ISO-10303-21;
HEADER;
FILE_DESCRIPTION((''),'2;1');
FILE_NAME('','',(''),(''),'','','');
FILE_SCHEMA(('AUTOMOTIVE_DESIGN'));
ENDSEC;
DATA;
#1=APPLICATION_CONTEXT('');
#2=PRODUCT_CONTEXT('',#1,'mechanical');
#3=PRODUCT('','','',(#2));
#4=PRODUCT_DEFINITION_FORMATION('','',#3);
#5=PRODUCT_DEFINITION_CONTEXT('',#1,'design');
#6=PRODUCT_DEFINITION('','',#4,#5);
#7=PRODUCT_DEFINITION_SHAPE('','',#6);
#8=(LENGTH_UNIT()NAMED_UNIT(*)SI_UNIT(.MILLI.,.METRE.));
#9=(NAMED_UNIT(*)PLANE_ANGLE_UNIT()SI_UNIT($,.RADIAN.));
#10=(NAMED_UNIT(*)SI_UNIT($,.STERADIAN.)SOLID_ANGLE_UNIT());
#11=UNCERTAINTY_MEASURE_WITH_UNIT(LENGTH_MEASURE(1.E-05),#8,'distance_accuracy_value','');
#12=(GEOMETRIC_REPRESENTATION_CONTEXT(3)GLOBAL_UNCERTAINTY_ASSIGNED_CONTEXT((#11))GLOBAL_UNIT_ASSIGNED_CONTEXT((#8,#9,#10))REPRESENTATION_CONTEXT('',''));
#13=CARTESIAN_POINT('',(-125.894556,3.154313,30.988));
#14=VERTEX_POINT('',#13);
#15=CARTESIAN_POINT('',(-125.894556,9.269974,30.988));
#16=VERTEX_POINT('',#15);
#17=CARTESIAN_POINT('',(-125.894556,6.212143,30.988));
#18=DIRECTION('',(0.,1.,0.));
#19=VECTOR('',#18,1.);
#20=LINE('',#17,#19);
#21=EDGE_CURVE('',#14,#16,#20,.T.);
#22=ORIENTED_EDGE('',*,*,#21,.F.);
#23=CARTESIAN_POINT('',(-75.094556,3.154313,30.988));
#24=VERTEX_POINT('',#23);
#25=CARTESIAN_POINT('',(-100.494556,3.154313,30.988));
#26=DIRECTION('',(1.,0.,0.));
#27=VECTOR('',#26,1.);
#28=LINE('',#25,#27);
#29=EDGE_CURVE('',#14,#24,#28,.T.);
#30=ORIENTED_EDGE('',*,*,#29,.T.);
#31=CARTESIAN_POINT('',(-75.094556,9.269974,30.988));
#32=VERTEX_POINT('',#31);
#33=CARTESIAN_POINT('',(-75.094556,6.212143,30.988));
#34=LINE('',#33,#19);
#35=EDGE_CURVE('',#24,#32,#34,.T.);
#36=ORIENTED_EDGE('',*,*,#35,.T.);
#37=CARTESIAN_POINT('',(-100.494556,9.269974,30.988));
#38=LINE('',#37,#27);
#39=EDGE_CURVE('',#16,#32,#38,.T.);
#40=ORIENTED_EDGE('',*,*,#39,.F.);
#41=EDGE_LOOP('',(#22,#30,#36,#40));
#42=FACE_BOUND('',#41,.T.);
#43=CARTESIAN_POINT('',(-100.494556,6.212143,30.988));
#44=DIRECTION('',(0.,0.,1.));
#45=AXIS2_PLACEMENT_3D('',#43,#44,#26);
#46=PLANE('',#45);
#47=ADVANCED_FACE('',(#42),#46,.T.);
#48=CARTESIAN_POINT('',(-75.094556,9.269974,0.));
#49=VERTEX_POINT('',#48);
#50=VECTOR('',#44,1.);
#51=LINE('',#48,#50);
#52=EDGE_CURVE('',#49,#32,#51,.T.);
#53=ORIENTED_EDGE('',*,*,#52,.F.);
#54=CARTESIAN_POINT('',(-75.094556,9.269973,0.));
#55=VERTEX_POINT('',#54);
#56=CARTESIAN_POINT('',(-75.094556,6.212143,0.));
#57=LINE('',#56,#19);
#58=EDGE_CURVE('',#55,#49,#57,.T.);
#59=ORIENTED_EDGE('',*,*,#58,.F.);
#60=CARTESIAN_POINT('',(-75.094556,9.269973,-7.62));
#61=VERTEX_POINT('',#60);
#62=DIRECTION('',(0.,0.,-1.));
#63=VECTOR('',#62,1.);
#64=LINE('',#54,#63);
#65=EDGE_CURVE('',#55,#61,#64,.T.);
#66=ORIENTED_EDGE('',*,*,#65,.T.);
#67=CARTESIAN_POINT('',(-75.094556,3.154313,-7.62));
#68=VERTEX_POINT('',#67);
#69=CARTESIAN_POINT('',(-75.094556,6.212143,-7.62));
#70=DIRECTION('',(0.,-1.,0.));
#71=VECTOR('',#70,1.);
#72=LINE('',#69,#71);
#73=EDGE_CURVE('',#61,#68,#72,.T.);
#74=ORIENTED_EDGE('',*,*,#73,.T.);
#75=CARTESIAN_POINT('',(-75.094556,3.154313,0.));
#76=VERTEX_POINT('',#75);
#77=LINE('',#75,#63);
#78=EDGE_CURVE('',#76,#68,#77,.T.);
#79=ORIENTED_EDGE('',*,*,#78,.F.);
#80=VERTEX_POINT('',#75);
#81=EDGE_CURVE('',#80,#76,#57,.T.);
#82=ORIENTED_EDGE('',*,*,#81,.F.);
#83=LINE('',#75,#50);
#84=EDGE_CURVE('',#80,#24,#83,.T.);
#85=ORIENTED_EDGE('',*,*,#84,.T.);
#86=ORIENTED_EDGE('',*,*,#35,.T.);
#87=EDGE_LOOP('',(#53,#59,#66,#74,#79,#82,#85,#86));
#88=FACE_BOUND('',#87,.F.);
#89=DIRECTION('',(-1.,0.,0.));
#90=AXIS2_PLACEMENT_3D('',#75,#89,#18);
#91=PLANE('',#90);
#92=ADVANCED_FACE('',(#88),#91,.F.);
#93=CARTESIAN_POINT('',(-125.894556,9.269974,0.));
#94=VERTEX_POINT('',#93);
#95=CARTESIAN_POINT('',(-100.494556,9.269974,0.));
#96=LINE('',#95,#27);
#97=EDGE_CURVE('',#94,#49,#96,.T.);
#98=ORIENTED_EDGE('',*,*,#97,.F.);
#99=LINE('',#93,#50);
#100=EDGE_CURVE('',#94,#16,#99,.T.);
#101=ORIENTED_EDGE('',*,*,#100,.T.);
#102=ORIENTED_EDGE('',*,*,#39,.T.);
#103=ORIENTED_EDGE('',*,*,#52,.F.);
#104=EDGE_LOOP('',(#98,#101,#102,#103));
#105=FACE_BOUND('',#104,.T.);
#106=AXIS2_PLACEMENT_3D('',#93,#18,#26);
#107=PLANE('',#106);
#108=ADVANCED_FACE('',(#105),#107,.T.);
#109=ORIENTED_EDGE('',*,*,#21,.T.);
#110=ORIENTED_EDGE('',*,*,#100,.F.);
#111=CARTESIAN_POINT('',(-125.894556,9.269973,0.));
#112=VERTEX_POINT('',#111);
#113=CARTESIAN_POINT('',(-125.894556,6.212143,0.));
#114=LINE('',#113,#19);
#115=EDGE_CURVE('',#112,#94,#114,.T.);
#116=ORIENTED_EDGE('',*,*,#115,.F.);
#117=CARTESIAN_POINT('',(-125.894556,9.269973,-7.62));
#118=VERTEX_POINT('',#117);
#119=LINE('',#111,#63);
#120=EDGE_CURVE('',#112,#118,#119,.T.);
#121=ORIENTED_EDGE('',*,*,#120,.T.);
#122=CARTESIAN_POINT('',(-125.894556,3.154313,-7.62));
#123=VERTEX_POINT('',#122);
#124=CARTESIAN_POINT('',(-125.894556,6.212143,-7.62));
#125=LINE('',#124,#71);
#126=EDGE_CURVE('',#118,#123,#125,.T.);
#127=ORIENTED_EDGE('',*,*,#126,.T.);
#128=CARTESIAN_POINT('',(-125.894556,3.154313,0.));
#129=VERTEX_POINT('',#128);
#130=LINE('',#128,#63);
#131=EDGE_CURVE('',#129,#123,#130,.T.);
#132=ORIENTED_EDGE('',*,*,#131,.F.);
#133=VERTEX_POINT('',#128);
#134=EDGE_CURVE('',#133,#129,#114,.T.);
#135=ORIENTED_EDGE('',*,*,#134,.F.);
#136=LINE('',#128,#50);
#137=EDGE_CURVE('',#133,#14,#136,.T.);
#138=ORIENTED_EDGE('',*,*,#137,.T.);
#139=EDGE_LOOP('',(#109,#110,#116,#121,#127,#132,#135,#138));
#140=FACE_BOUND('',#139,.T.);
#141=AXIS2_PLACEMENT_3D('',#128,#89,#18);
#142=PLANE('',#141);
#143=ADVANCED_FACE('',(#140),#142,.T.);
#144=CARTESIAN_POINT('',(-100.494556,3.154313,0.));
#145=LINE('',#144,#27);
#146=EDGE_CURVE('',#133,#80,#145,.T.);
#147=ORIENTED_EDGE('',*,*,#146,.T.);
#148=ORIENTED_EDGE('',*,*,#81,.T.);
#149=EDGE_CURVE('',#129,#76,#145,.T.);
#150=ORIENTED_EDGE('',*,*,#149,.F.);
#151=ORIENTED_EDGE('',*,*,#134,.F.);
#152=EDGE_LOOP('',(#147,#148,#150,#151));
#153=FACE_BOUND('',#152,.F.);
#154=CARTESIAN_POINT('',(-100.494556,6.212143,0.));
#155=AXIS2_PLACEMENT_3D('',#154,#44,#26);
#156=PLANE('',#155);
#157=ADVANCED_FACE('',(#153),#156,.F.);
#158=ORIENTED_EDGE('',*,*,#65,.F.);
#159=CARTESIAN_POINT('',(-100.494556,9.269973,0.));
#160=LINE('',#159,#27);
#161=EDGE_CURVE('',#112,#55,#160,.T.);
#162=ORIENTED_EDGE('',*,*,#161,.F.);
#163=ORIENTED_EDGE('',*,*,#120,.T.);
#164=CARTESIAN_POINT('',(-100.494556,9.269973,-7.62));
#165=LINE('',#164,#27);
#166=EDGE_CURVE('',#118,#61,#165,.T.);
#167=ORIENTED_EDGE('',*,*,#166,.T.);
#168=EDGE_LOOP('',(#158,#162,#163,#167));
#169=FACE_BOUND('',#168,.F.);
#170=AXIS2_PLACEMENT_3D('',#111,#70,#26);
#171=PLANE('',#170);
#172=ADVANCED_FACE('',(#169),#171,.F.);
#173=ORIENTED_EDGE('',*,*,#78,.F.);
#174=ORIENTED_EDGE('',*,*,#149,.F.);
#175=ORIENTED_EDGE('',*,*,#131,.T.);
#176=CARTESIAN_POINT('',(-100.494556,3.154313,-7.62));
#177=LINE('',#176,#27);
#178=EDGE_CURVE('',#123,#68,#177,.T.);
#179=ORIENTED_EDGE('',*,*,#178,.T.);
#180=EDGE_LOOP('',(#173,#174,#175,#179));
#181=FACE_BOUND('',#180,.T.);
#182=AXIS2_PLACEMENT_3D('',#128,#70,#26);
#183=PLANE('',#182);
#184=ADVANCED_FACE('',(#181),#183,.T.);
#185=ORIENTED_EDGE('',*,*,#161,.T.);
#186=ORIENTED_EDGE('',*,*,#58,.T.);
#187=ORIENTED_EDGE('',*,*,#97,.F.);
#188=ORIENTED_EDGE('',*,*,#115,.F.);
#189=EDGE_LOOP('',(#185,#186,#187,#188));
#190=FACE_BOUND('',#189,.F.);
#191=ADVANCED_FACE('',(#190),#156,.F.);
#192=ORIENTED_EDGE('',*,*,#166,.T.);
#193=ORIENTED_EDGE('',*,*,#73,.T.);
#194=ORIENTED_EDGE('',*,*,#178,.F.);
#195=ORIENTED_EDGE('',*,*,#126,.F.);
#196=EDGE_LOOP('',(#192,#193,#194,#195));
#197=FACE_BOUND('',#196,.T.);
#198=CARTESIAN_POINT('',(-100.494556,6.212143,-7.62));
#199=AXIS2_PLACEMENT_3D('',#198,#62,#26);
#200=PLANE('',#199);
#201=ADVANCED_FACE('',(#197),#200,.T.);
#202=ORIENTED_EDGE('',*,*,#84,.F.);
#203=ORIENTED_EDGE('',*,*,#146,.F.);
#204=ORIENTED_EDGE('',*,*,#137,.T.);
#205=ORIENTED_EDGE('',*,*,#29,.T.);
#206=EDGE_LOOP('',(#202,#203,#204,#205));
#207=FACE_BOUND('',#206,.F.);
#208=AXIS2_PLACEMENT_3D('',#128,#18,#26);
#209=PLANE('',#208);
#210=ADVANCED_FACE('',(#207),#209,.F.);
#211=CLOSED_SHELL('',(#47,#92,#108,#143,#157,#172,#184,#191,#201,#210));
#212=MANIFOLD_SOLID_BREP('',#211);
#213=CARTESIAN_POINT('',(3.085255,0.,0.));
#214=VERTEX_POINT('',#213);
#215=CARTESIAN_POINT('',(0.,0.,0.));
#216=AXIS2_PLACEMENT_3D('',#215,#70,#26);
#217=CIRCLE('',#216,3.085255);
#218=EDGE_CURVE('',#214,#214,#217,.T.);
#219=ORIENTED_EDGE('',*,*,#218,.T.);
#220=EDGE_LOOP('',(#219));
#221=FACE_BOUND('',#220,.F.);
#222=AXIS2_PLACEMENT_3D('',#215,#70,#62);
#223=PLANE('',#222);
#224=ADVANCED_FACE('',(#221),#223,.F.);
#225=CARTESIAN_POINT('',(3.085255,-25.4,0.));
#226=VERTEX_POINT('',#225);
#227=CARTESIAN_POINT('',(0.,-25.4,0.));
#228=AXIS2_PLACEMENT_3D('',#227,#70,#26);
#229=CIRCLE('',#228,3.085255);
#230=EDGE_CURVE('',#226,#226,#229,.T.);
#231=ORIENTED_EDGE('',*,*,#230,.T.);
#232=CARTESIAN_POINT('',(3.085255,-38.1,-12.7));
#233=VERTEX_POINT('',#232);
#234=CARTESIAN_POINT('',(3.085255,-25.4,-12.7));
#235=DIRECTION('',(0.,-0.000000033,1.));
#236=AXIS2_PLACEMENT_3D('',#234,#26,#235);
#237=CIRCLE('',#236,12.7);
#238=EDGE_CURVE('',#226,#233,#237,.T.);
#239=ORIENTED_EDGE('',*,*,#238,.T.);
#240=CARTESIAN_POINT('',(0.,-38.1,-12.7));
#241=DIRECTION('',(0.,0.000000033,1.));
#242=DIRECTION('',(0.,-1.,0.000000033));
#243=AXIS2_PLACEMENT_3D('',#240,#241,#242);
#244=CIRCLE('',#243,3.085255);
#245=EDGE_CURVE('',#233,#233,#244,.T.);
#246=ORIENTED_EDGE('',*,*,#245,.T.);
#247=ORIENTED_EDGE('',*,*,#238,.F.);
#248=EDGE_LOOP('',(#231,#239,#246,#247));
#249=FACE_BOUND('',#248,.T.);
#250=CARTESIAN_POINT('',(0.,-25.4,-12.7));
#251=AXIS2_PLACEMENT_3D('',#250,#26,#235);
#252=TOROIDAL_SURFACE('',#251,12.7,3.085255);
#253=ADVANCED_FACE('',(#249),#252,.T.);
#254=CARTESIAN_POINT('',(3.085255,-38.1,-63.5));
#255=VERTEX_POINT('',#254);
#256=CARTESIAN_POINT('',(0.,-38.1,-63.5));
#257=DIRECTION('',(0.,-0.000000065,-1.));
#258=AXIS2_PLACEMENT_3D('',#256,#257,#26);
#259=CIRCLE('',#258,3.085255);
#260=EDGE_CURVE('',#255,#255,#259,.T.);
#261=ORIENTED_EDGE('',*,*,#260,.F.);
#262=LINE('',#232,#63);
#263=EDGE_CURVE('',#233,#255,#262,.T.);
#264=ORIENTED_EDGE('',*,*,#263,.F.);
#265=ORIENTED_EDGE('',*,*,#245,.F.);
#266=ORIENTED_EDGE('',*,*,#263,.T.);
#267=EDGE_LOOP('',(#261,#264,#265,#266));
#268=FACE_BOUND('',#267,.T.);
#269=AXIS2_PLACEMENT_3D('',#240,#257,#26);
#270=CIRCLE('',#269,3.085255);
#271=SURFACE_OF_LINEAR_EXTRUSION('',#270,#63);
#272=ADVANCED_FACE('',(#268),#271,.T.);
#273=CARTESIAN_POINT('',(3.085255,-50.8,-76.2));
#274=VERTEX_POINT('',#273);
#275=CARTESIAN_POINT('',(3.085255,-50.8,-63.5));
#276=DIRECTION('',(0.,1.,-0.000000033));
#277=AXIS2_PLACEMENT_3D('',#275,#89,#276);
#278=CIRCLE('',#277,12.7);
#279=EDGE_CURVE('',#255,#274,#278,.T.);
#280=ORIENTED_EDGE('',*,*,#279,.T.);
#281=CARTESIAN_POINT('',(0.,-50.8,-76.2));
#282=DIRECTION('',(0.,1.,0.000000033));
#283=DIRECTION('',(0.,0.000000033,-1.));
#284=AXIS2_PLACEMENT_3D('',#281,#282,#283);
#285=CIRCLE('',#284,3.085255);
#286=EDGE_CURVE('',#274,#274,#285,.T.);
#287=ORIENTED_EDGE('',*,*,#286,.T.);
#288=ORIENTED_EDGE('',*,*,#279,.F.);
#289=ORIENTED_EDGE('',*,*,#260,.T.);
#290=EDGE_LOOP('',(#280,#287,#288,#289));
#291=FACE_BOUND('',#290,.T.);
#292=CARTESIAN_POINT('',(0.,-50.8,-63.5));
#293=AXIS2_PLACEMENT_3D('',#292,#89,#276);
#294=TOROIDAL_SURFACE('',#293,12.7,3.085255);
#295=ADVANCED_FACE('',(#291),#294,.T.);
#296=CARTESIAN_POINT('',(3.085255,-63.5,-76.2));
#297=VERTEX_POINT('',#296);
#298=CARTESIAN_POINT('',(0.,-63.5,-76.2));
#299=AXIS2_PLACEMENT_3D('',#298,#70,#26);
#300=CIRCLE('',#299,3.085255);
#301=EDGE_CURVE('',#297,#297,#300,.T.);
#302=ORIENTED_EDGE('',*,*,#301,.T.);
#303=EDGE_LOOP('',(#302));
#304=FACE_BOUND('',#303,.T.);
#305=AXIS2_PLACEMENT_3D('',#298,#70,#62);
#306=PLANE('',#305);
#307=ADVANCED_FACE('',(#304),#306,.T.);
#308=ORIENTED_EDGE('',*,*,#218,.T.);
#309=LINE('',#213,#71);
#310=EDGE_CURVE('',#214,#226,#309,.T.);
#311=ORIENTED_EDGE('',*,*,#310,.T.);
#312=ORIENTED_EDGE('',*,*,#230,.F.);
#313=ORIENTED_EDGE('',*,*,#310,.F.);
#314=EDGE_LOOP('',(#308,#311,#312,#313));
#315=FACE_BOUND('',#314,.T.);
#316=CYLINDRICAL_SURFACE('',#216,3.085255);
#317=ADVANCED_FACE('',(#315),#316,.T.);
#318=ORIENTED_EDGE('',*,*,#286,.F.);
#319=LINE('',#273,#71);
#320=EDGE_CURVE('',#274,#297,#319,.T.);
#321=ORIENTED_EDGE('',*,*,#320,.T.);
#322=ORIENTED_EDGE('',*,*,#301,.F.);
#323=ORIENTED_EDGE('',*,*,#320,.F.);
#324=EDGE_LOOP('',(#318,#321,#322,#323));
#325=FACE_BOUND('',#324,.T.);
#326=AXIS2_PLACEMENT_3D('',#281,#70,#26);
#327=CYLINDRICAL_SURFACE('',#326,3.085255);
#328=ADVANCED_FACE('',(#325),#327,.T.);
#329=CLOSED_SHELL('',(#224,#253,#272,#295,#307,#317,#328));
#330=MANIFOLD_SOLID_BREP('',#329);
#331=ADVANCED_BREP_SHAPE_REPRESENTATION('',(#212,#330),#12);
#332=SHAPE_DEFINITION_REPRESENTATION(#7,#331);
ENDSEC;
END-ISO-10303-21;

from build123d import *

# Parameters (mm, degrees)
F1_R      = 3.085255
F3_W      = 50.8
F3_H      = 6.115661
F4_DEPTH  = 30.988
F4_FACE_W = 50.8
F4_FACE_H = 6.11566
F5_DEPTH  = 7.62


with BuildPart() as f2:
    # F2: sweep along a path in F0
    with BuildLine(Plane.YZ) as f2_path:
        Line((0, 0), (-25.4, 0))
        ThreePointArc((-25.4, 0), (-34.380256, -3.719744), (-38.1, -12.7))
        Line((-38.1, -12.7), (-38.1, -63.5))
        ThreePointArc((-38.1, -63.5), (-41.819744, -72.480256), (-50.8, -76.2))
        Line((-50.8, -76.2), (-63.5, -76.2))
    # F1 (on Front) → F2 (sweep)
    with BuildSketch(Plane.XZ):
        Circle(F1_R)
    sweep(path=f2_path.line)


with BuildPart() as f4:
    # F3 (on Top) → F4 (new body)
    with BuildSketch(Plane.XY):
        with Locations((-100.494556, 6.212143)):
            Rectangle(F3_W, F3_H)
    extrude(amount=F4_DEPTH)

    # F4_face (on face) → F5 (join)
    with BuildSketch(Plane(origin=(-100.494556, 6.212143, 0), x_dir=(1, 0, 0), z_dir=(0, 0, -1))):
        Rectangle(F4_FACE_W, F4_FACE_H)
    extrude(amount=F5_DEPTH)


solid = Compound([f2.part, f4.part])
